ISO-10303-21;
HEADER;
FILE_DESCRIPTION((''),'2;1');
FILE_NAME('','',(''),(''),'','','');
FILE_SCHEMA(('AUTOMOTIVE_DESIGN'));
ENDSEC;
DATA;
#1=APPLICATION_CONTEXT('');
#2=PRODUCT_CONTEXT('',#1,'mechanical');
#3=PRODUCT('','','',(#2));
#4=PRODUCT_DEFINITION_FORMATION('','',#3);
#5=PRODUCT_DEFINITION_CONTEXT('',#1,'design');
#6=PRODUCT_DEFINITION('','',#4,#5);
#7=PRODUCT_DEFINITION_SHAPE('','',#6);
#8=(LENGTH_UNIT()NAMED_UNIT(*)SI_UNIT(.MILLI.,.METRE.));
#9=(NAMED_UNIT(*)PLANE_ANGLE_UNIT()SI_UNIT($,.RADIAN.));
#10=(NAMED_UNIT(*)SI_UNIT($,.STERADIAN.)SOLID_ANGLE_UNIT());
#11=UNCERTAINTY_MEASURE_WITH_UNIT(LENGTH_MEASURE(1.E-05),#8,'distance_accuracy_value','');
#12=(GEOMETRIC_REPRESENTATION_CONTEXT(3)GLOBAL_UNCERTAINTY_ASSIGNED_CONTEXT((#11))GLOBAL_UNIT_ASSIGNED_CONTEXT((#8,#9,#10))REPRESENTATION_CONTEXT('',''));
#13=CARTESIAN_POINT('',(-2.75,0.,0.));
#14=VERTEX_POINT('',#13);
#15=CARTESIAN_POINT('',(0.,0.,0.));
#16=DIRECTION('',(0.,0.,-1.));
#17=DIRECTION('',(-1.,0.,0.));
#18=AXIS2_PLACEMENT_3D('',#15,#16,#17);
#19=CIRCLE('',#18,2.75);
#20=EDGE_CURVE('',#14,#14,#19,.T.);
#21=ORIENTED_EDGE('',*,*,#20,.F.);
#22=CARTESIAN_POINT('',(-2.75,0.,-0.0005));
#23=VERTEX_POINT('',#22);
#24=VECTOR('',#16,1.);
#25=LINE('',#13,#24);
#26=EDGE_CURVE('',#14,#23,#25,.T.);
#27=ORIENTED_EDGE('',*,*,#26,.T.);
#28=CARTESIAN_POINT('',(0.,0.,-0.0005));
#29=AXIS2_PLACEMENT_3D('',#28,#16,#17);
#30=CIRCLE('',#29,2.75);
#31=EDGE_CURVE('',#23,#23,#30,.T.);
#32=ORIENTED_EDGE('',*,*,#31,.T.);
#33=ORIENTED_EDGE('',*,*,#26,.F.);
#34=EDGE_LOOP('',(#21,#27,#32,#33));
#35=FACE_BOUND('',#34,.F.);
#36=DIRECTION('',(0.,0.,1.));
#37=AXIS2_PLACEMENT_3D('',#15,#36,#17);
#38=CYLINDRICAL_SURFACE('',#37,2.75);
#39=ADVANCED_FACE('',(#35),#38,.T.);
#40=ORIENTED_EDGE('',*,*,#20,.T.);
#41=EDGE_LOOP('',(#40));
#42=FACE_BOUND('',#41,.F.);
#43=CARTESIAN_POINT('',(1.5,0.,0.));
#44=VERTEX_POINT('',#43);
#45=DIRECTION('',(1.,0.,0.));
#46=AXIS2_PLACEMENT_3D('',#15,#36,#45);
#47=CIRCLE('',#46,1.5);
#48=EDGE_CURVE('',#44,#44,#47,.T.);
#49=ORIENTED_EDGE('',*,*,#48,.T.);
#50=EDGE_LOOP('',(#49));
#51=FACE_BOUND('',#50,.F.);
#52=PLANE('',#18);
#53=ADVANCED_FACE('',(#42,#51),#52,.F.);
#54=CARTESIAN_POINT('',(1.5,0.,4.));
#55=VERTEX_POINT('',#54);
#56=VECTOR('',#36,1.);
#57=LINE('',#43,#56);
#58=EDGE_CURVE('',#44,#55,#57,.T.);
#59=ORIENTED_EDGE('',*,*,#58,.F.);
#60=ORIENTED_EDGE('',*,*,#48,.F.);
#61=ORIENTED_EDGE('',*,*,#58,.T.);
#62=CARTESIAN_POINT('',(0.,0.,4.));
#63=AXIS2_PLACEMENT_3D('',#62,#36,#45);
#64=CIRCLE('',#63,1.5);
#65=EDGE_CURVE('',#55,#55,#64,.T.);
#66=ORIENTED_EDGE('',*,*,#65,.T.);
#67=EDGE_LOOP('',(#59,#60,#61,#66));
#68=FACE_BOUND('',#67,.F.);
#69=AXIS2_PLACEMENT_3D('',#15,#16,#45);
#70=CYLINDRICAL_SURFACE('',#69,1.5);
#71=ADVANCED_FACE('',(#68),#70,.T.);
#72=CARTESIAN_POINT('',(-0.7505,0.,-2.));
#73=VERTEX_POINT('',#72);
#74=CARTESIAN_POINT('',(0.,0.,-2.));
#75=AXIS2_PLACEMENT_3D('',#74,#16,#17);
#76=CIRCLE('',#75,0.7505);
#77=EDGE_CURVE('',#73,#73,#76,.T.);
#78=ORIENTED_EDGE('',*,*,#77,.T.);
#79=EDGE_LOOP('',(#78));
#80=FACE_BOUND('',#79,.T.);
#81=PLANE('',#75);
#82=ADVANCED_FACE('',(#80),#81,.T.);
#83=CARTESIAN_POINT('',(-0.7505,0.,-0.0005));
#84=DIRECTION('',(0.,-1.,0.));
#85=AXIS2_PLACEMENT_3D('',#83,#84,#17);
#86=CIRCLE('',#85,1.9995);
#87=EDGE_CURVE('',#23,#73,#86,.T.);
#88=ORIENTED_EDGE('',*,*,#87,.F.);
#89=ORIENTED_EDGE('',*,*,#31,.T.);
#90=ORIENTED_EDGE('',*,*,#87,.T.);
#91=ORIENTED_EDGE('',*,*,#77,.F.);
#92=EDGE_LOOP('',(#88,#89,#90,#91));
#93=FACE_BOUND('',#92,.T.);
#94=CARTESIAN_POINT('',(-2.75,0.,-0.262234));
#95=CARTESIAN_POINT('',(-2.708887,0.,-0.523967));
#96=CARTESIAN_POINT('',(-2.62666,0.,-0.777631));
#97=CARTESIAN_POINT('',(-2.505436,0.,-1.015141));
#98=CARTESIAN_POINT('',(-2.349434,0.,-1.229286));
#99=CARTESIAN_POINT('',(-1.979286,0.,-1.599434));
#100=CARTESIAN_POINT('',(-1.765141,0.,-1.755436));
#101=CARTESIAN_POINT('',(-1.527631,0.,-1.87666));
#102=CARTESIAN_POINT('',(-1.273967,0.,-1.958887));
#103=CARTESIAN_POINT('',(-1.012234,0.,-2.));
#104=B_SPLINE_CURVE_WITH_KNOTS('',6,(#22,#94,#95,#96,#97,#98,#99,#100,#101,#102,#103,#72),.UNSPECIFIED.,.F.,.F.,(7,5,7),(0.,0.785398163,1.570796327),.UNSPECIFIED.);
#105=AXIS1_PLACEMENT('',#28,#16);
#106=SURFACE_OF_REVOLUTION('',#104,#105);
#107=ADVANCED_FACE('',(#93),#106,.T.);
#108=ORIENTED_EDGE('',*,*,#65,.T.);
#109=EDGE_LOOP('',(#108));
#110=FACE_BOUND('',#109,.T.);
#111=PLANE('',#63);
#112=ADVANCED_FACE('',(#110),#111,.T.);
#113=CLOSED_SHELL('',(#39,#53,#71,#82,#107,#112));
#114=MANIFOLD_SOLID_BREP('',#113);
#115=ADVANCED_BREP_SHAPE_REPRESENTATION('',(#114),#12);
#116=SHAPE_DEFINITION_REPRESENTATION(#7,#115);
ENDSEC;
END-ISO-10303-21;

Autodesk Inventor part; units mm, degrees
ref_plane "YZ Plane" through (0, 0, 0) normal (1, 0, 0) x (0, 1, 0)
ref_plane "XZ Plane" through (0, 0, 0) normal (0, 1, 0) x (-1, 0, 0)
ref_plane "XY Plane" through (0, 0, 0) normal (0, 0, 1) x (1, 0, 0)
sketch "スケッチ1" plane through (0, 0, 0) normal (0, 0, 1) x (1, 0, 0)
  circle A0 centre (0, 0) radius 1.5
  dimension "d0" = 3
extrude "押し出し1" add sketch "スケッチ1" along normal blind 4
sketch "スケッチ2" plane through (0, 0, 0) normal (0, 0, -1) x (-1, 0, 0)
  circle A0 centre (0, 0) radius 2.75
  dimension "d3" = 5.5
extrude "押し出し2" add sketch "スケッチ2" along normal blind 2
fillet "フィレット1" radius 2 1 edges at (2.75, 0, -2)
thread "ねじ1" size "M3x0.5" class "6g" standard "ANSI Metric M Profile" full length
properties part number "ネジ鍋m3,04" material "鋼、高強度、低合金"
